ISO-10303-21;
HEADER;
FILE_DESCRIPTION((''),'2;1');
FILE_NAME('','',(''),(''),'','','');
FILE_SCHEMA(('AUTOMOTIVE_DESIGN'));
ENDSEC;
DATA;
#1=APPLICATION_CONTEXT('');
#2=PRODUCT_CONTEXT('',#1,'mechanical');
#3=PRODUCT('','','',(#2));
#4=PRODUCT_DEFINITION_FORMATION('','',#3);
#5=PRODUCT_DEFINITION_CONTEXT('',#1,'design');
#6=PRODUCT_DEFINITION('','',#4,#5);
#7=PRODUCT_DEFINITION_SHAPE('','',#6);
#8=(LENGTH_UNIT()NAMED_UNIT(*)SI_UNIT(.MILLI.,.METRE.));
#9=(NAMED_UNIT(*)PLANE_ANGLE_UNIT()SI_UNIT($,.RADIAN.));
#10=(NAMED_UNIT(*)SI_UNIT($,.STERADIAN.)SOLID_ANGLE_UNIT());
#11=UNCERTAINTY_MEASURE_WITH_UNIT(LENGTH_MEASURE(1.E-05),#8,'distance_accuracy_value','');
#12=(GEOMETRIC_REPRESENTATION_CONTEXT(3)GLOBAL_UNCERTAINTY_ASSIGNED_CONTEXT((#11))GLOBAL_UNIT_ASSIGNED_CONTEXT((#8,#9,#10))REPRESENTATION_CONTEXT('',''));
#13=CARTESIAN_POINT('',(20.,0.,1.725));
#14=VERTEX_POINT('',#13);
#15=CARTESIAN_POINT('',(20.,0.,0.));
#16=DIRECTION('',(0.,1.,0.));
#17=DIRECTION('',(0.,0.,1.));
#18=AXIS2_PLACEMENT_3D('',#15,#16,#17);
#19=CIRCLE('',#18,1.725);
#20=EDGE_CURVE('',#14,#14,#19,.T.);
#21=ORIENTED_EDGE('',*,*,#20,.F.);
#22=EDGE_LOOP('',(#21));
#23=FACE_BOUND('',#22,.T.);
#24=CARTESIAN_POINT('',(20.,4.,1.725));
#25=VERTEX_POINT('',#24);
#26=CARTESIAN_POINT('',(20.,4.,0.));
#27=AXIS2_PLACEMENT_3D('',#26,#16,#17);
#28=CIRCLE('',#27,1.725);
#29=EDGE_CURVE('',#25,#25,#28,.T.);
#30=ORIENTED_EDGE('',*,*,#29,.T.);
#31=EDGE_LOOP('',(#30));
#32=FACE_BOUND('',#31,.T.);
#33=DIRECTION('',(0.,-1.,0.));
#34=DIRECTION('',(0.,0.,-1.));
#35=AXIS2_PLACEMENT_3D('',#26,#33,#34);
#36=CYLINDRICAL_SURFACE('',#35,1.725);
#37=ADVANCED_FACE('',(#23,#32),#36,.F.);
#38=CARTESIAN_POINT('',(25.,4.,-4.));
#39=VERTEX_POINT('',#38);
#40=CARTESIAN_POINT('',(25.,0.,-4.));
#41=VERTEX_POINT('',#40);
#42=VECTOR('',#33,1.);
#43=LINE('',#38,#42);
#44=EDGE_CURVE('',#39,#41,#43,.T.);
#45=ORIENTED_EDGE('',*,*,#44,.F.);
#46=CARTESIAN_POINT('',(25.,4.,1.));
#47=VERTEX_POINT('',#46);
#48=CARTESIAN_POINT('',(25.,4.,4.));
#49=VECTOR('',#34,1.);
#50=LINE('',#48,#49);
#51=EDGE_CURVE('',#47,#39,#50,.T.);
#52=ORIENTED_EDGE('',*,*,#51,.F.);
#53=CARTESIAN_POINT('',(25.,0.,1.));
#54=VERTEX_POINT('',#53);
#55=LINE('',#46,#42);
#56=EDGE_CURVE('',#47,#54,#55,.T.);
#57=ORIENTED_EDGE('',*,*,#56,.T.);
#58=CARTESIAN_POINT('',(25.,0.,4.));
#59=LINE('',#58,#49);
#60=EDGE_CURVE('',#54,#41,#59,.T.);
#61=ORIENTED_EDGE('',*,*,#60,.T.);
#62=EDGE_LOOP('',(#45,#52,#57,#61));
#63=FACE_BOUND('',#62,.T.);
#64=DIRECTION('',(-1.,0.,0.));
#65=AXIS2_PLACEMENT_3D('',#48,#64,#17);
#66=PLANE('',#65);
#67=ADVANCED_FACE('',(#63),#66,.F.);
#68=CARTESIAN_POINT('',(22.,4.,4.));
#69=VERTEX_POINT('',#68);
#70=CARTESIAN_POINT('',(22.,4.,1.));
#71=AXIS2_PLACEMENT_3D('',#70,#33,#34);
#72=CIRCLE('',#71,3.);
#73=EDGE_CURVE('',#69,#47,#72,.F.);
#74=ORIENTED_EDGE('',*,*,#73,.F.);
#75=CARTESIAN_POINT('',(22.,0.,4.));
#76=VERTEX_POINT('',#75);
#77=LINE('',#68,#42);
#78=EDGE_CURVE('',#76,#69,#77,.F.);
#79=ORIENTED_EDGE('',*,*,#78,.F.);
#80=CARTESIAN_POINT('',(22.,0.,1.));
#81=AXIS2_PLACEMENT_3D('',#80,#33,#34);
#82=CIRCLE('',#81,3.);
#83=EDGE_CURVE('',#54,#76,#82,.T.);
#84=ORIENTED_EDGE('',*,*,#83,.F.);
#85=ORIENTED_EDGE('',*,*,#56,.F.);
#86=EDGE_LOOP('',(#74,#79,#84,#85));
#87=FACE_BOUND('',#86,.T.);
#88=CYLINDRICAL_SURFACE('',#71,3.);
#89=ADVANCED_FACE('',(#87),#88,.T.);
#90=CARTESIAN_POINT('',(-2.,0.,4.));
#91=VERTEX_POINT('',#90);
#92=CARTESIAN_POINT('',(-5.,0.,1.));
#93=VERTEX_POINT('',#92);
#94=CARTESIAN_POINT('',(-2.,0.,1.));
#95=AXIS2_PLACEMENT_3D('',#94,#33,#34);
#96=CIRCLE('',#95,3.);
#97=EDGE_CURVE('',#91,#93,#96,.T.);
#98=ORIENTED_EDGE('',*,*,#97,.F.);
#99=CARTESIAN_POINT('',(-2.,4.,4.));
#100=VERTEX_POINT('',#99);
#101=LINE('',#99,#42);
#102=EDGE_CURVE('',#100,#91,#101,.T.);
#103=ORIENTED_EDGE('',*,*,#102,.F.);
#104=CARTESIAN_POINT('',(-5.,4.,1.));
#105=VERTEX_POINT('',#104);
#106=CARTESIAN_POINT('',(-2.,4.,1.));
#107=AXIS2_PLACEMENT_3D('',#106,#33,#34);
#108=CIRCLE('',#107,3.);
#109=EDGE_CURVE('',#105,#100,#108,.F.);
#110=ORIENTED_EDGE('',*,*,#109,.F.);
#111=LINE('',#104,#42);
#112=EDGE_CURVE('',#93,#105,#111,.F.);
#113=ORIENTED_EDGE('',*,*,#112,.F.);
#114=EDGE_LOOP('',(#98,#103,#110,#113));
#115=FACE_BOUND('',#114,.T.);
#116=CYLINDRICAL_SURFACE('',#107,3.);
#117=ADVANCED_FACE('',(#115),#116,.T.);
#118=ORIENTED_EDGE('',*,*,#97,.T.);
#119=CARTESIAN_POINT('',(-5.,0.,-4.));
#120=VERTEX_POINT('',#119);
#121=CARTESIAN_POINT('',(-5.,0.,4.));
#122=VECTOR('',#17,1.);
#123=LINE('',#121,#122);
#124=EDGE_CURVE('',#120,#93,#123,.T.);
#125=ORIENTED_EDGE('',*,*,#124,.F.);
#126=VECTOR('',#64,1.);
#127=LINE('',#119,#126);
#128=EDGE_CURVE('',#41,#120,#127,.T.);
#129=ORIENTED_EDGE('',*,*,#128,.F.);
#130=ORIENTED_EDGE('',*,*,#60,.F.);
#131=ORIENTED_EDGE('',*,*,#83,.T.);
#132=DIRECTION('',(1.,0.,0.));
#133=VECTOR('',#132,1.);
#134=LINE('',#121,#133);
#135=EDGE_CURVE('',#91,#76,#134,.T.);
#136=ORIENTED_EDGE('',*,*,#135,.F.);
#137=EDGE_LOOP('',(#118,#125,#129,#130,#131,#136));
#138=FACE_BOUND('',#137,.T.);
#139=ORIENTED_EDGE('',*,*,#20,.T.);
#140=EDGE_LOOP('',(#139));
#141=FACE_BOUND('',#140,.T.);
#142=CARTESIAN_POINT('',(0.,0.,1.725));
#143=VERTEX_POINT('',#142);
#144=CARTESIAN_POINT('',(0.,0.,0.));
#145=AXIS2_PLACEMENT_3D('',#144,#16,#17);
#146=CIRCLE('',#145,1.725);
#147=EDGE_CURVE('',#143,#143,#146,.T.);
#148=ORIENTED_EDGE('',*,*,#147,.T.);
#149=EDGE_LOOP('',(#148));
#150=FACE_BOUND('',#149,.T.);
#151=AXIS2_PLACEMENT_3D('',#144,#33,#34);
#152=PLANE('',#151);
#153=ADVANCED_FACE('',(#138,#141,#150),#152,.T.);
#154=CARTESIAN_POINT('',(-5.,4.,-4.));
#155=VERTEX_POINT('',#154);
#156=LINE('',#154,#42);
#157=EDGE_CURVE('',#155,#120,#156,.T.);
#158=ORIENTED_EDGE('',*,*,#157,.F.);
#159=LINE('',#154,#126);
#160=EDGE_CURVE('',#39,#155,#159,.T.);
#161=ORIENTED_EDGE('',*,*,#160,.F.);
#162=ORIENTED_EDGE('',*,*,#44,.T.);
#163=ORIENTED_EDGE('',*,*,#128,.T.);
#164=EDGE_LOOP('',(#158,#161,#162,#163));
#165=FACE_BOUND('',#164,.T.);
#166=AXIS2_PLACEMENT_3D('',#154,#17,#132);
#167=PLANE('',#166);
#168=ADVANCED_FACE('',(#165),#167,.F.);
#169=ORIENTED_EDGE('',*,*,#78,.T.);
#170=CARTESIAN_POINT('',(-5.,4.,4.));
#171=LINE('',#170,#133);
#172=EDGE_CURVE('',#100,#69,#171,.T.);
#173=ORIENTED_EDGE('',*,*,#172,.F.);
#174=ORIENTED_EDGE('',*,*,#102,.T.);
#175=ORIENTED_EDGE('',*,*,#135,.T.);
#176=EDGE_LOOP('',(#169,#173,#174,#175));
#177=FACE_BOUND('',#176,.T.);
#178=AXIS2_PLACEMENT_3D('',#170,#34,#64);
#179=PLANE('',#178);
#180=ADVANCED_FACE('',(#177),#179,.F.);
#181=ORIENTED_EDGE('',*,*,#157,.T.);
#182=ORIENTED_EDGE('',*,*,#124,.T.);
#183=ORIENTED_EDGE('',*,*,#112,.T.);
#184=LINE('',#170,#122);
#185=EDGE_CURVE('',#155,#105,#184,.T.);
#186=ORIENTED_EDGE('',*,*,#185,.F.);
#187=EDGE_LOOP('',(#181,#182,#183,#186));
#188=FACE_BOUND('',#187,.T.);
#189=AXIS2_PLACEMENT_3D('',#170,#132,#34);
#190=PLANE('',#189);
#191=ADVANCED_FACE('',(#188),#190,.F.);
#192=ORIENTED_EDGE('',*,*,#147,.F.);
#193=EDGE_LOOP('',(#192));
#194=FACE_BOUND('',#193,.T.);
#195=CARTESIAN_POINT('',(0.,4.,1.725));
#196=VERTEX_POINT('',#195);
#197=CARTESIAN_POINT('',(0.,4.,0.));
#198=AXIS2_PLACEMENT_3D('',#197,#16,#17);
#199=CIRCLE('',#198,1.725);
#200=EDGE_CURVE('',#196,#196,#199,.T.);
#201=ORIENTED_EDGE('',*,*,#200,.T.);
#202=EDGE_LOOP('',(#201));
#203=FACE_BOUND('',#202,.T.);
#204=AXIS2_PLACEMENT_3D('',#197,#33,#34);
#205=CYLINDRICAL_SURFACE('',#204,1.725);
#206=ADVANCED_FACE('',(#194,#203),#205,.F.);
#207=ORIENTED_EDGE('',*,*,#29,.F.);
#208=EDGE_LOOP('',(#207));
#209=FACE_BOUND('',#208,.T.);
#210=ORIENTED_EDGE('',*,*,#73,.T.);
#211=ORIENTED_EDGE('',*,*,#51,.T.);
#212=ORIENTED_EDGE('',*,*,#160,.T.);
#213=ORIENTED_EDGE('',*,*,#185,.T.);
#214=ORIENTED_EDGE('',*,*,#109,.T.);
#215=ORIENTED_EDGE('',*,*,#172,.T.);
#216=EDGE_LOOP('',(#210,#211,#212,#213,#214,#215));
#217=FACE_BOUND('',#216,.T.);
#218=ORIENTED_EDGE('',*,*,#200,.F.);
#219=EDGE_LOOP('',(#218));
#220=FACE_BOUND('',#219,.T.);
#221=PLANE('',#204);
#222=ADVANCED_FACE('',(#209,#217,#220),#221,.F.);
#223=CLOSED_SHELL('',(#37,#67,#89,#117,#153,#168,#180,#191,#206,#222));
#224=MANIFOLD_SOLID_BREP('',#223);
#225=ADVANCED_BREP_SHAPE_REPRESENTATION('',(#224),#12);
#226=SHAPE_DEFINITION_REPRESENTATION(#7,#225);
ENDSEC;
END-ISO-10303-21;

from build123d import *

# Parameters (mm, degrees)
SKETCH1_W           = 30
SKETCH1_H           = 8
SKETCH1_R           = 1.725
BOSS_EXTRUDE1_DEPTH = 4
FILLET1_R           = 3


with BuildPart() as part:
    # Sketch1 → Boss-Extrude1 (new body)
    with BuildSketch(Plane(origin=(0, 0, 0), x_dir=(1, 0, 0), z_dir=(0, 1, 0))):
        with Locations((10, 0)):
            Rectangle(SKETCH1_W, SKETCH1_H)
        with Locations(Location((0, 0, 0), (0, 0, 270))):
            Circle(SKETCH1_R, mode=Mode.SUBTRACT)
        with Locations(Location((20, 0, 0), (0, 0, 270))):
            Circle(SKETCH1_R, mode=Mode.SUBTRACT)
    extrude(amount=BOSS_EXTRUDE1_DEPTH)

    # Fillet1
    fillet1_edges = [part.edges().sort_by_distance(p)[0] for p in [
        (25, 2, 4),
        (-5, 2, 4),
    ]]
    fillet(fillet1_edges, radius=FILLET1_R)


solid = part.part
